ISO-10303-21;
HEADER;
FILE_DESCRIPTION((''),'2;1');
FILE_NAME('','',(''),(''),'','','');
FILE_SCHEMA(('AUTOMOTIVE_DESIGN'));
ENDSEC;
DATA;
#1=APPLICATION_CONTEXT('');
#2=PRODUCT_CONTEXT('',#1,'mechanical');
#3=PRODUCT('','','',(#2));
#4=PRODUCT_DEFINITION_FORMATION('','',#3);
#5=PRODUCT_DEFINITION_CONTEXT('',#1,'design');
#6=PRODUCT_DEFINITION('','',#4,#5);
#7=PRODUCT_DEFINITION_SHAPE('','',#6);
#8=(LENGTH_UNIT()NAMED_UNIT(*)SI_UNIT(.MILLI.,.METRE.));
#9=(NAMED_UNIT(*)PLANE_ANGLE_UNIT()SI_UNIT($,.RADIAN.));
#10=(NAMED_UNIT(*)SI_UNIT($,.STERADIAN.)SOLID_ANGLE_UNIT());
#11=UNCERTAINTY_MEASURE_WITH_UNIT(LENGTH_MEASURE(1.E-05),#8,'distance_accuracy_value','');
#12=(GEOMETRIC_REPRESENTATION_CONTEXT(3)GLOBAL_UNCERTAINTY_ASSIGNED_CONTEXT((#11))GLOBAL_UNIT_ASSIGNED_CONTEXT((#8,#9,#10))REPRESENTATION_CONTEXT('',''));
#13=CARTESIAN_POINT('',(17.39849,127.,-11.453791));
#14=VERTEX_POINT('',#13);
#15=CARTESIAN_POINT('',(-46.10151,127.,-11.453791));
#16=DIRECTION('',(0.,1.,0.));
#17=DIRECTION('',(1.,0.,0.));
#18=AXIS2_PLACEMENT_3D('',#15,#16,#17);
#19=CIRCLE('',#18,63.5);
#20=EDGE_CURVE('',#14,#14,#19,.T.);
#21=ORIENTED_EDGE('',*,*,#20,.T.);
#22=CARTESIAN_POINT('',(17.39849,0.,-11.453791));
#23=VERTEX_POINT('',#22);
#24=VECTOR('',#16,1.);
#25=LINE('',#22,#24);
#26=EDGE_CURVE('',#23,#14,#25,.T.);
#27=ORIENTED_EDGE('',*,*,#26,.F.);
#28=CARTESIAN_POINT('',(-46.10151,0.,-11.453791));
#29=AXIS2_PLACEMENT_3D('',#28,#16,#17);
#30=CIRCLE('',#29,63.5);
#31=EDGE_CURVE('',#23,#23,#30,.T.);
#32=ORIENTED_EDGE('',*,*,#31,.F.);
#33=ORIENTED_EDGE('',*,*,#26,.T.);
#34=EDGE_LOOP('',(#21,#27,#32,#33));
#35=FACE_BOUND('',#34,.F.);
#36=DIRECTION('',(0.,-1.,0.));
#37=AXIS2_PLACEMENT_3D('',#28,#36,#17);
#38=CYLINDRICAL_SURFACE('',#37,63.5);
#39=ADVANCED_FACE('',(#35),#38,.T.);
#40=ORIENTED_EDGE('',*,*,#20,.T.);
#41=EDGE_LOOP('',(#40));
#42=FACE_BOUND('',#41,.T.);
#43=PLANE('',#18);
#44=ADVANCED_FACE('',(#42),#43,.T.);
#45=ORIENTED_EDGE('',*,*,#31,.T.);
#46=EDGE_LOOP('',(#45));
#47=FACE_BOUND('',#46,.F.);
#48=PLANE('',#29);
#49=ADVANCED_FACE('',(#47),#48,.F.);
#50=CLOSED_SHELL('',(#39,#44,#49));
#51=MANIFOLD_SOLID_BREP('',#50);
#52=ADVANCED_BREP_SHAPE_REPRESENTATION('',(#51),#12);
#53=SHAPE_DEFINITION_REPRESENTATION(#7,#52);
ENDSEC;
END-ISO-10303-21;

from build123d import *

# Parameters (mm, degrees)
SKETCH1_R           = 63.5
BOSS_EXTRUDE1_DEPTH = 127


with BuildPart() as part:
    # Sketch1 → Boss-Extrude1 (new body)
    with BuildSketch(Plane(origin=(0, 0, 0), x_dir=(1, 0, 0), z_dir=(0, 1, 0))):
        with Locations((-46.101510088, 11.453791326)):
            Circle(SKETCH1_R)
    extrude(amount=BOSS_EXTRUDE1_DEPTH)


solid = part.part
